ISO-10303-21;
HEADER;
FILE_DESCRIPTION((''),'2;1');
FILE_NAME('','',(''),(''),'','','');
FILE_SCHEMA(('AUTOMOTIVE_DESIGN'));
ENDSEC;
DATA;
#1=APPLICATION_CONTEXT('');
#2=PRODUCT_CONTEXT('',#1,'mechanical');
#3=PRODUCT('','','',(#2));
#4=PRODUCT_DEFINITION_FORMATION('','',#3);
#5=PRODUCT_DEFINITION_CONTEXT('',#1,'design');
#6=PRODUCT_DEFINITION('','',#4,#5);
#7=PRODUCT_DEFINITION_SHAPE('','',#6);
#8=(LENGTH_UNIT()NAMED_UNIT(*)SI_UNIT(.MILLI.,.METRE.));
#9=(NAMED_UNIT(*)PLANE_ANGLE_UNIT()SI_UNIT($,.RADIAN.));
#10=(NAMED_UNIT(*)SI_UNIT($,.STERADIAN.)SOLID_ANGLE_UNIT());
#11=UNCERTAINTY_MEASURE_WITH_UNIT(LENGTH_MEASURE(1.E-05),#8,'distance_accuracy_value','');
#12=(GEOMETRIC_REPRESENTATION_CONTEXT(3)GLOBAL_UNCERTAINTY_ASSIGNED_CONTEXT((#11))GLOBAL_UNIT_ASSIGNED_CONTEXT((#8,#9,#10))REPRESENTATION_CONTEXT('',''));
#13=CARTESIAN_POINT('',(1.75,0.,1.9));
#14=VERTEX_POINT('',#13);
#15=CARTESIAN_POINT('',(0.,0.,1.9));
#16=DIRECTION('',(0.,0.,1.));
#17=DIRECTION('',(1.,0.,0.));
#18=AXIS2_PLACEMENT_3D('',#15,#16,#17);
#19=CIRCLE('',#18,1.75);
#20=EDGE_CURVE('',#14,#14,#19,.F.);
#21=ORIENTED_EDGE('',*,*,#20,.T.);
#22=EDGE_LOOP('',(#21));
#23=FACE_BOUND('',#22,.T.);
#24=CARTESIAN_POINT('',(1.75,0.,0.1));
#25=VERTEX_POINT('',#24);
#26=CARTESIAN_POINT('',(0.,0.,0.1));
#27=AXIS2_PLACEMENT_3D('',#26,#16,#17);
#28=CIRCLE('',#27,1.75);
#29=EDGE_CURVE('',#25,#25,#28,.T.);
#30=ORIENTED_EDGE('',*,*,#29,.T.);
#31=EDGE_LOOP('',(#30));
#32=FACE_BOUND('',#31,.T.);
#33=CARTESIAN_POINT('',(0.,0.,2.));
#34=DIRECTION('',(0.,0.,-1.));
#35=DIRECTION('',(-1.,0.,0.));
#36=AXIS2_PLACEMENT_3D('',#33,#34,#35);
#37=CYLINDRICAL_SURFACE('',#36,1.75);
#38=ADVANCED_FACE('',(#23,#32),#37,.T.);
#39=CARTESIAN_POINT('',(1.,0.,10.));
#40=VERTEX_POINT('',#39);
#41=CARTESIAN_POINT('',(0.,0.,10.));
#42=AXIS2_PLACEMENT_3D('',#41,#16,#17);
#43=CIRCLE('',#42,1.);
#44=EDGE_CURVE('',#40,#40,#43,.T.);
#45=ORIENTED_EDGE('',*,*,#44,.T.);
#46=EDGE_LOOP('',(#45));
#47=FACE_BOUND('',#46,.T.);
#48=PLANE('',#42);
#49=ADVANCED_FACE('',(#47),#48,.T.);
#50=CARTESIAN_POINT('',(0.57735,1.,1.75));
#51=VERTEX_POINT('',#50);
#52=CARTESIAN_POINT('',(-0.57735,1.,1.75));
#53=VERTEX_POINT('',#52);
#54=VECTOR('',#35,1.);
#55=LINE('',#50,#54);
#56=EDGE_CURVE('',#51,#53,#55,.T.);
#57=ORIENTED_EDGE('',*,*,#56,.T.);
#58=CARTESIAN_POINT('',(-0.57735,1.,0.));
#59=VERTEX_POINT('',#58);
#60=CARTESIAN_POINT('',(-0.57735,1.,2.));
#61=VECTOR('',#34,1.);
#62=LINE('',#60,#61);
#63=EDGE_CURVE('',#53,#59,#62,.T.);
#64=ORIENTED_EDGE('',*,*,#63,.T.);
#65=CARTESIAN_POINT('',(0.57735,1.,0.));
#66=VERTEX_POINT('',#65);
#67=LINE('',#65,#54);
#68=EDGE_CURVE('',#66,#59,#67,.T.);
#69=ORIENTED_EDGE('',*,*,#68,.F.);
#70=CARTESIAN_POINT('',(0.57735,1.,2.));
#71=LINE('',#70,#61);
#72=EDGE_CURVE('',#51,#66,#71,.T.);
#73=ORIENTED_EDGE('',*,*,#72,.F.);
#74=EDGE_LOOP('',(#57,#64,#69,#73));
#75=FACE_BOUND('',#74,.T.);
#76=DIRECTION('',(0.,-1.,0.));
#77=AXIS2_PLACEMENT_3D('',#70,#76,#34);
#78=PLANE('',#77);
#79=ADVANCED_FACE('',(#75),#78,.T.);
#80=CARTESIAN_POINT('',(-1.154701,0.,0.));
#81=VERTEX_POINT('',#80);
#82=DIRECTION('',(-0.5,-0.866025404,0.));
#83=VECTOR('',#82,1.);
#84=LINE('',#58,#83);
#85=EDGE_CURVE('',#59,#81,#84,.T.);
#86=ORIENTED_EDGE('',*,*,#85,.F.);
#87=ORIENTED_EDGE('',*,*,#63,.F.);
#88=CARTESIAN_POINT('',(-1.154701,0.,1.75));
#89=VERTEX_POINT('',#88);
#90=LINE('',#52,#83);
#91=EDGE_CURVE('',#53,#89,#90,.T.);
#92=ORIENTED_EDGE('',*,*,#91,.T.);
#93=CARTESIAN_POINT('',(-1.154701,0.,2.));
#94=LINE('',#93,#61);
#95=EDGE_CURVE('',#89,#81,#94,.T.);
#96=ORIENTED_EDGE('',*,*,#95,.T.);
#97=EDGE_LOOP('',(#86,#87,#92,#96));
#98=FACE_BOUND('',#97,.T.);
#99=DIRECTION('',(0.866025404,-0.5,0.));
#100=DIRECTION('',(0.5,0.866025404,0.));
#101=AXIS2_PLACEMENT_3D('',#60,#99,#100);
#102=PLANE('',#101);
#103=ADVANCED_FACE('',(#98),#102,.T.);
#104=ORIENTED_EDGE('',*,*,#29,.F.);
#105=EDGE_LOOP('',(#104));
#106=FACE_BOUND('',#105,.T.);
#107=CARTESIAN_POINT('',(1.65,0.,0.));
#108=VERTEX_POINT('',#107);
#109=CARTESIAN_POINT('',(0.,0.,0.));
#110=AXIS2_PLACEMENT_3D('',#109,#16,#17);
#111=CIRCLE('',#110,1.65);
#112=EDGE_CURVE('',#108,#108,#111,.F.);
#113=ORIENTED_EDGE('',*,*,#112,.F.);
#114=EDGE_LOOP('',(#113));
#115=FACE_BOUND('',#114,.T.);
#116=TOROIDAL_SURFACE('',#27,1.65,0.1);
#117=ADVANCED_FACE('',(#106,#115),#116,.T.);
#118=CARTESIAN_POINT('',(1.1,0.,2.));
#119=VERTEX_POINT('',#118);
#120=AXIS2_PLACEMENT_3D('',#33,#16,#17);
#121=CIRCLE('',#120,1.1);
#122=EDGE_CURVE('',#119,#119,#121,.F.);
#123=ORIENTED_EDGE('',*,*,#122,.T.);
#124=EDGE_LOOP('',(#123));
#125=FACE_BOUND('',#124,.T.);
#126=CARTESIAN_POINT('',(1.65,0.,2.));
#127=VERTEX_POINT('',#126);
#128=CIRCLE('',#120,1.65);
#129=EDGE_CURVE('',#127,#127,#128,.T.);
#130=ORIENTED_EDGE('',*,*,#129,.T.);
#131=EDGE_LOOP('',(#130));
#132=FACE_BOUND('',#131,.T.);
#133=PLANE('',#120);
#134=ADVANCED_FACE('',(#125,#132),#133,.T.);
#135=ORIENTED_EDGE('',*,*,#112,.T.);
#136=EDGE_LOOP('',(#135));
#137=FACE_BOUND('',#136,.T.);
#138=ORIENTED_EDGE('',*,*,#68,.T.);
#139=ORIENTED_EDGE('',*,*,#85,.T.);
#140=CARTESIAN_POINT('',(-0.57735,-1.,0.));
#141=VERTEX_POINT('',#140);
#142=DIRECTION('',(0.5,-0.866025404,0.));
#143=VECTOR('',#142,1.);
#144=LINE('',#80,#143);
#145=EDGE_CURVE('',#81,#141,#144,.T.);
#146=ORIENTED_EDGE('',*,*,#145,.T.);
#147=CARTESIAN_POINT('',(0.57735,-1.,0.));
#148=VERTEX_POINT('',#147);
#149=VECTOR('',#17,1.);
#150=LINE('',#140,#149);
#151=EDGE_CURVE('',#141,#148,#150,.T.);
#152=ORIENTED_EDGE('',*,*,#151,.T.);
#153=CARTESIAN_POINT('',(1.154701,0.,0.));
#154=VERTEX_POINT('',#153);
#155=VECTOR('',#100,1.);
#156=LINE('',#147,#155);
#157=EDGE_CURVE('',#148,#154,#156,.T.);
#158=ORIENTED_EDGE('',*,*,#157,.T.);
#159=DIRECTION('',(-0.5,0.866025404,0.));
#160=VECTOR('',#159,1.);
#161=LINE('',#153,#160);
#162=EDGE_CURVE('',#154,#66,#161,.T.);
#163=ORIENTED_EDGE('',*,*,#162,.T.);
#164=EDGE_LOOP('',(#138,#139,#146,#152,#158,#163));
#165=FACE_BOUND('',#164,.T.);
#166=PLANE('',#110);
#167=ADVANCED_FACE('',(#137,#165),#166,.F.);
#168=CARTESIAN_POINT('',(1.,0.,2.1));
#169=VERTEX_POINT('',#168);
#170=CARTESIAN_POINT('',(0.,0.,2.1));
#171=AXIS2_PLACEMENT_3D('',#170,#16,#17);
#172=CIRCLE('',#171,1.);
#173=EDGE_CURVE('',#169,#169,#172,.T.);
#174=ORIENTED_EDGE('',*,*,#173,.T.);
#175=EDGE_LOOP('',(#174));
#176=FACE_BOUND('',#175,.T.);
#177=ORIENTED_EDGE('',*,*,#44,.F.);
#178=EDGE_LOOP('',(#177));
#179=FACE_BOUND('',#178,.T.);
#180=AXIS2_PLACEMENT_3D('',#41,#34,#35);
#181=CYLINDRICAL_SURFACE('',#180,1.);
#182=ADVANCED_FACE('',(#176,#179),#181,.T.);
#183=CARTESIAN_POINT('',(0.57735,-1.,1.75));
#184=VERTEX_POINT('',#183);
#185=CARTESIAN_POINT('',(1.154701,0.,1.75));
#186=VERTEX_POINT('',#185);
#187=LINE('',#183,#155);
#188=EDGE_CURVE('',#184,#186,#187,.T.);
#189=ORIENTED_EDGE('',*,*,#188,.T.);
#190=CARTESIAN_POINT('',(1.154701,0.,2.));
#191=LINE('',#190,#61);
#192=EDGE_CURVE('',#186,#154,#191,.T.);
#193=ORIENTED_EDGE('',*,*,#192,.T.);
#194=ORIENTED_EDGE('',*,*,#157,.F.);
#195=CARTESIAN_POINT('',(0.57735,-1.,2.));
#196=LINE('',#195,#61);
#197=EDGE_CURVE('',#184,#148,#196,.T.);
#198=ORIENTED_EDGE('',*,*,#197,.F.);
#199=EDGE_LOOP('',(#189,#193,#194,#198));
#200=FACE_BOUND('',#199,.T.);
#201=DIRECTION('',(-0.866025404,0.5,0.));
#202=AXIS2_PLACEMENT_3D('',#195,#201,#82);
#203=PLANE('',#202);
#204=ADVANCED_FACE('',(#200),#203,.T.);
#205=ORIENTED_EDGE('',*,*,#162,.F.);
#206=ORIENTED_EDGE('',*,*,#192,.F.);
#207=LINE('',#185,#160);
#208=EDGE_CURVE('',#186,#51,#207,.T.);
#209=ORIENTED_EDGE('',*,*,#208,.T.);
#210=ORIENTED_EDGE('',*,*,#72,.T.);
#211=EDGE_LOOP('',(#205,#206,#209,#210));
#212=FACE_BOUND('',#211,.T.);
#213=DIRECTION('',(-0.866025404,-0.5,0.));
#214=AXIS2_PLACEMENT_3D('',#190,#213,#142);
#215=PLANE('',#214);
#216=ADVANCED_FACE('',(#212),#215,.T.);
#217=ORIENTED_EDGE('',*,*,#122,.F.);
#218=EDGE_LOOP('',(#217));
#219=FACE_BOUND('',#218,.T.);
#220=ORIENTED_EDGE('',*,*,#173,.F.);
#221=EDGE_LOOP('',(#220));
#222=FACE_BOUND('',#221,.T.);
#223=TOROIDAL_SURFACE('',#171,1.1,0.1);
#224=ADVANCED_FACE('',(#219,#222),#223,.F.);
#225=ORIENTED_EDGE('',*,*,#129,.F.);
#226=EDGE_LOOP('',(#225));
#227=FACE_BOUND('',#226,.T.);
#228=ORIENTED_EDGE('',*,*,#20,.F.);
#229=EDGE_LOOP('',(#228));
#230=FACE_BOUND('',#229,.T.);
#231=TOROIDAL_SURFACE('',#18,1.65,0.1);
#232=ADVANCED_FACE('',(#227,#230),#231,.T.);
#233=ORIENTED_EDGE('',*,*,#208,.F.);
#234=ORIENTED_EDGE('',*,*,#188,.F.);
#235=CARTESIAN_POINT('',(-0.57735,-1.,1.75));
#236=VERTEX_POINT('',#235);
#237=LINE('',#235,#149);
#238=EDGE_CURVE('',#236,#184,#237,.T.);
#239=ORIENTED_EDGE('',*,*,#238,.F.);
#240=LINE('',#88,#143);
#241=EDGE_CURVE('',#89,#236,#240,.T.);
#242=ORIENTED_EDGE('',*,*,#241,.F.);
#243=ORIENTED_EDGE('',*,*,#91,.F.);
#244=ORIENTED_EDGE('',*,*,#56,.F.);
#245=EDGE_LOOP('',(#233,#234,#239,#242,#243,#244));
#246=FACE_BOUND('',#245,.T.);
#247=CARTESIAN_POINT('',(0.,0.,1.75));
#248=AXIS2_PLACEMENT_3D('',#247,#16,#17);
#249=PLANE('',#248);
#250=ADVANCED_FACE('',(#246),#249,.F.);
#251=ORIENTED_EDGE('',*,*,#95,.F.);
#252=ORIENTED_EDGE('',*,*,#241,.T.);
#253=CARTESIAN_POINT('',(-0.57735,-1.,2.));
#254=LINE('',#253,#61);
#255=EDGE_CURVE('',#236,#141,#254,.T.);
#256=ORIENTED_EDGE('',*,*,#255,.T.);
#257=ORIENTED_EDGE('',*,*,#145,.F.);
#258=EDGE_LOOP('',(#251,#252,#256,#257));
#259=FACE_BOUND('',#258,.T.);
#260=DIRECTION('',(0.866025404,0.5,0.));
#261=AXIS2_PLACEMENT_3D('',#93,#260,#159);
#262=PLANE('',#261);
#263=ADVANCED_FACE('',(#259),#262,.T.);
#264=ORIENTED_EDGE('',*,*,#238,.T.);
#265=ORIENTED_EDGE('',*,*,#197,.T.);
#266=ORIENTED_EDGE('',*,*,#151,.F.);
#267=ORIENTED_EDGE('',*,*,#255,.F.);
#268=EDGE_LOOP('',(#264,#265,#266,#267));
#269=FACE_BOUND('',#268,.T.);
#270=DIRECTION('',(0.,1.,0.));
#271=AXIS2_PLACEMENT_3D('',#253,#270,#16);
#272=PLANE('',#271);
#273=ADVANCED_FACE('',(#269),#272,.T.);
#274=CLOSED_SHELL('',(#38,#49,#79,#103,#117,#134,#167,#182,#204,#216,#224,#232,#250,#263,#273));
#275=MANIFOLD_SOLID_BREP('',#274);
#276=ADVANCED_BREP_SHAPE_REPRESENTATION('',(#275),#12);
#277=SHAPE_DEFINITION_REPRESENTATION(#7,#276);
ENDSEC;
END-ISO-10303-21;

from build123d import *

# Parameters (mm, degrees)
ESQUISSE1_R        = 1.75
BOSS_EXTRU_1_DEPTH = 2
BOSS_EXTRU_2_START = -0.25
ESQUISSE3_R        = 1.75
BOSS_EXTRU_2_DEPTH = 0.25
ESQUISSE2_R        = 1
BOSS_EXTRU_3_DEPTH = 8
CONG_1_R           = 0.1


with BuildPart() as part:
    # Esquisse1 → Boss.-Extru.1 (new body)
    with BuildSketch(Plane.XY):
        Circle(ESQUISSE1_R)
        Polygon((0.577350269, -1), (1.154700538, 0), (0.577350269, 1), (-0.577350269, 1), (-1.154700538, 0), (-0.577350269, -1), align=None, mode=Mode.SUBTRACT)
    extrude(amount=BOSS_EXTRU_1_DEPTH)

    # Esquisse3 → Boss.-Extru.2 (add)
    with BuildSketch(Plane.XY.offset(2).offset(BOSS_EXTRU_2_START)):
        Circle(ESQUISSE3_R)
    extrude(amount=BOSS_EXTRU_2_DEPTH)

    # Esquisse2 → Boss.-Extru.3 (add)
    with BuildSketch(Plane.XY.offset(2)):
        Circle(ESQUISSE2_R)
    extrude(amount=BOSS_EXTRU_3_DEPTH)

    # Congé1
    cong_1_edges = [part.edges().sort_by_distance(p)[0] for p in [
        (-1.75, 0, 0),
        (-1, 0, 2),
        (-1.75, 0, 2),
    ]]
    fillet(cong_1_edges, radius=CONG_1_R)


solid = part.part
